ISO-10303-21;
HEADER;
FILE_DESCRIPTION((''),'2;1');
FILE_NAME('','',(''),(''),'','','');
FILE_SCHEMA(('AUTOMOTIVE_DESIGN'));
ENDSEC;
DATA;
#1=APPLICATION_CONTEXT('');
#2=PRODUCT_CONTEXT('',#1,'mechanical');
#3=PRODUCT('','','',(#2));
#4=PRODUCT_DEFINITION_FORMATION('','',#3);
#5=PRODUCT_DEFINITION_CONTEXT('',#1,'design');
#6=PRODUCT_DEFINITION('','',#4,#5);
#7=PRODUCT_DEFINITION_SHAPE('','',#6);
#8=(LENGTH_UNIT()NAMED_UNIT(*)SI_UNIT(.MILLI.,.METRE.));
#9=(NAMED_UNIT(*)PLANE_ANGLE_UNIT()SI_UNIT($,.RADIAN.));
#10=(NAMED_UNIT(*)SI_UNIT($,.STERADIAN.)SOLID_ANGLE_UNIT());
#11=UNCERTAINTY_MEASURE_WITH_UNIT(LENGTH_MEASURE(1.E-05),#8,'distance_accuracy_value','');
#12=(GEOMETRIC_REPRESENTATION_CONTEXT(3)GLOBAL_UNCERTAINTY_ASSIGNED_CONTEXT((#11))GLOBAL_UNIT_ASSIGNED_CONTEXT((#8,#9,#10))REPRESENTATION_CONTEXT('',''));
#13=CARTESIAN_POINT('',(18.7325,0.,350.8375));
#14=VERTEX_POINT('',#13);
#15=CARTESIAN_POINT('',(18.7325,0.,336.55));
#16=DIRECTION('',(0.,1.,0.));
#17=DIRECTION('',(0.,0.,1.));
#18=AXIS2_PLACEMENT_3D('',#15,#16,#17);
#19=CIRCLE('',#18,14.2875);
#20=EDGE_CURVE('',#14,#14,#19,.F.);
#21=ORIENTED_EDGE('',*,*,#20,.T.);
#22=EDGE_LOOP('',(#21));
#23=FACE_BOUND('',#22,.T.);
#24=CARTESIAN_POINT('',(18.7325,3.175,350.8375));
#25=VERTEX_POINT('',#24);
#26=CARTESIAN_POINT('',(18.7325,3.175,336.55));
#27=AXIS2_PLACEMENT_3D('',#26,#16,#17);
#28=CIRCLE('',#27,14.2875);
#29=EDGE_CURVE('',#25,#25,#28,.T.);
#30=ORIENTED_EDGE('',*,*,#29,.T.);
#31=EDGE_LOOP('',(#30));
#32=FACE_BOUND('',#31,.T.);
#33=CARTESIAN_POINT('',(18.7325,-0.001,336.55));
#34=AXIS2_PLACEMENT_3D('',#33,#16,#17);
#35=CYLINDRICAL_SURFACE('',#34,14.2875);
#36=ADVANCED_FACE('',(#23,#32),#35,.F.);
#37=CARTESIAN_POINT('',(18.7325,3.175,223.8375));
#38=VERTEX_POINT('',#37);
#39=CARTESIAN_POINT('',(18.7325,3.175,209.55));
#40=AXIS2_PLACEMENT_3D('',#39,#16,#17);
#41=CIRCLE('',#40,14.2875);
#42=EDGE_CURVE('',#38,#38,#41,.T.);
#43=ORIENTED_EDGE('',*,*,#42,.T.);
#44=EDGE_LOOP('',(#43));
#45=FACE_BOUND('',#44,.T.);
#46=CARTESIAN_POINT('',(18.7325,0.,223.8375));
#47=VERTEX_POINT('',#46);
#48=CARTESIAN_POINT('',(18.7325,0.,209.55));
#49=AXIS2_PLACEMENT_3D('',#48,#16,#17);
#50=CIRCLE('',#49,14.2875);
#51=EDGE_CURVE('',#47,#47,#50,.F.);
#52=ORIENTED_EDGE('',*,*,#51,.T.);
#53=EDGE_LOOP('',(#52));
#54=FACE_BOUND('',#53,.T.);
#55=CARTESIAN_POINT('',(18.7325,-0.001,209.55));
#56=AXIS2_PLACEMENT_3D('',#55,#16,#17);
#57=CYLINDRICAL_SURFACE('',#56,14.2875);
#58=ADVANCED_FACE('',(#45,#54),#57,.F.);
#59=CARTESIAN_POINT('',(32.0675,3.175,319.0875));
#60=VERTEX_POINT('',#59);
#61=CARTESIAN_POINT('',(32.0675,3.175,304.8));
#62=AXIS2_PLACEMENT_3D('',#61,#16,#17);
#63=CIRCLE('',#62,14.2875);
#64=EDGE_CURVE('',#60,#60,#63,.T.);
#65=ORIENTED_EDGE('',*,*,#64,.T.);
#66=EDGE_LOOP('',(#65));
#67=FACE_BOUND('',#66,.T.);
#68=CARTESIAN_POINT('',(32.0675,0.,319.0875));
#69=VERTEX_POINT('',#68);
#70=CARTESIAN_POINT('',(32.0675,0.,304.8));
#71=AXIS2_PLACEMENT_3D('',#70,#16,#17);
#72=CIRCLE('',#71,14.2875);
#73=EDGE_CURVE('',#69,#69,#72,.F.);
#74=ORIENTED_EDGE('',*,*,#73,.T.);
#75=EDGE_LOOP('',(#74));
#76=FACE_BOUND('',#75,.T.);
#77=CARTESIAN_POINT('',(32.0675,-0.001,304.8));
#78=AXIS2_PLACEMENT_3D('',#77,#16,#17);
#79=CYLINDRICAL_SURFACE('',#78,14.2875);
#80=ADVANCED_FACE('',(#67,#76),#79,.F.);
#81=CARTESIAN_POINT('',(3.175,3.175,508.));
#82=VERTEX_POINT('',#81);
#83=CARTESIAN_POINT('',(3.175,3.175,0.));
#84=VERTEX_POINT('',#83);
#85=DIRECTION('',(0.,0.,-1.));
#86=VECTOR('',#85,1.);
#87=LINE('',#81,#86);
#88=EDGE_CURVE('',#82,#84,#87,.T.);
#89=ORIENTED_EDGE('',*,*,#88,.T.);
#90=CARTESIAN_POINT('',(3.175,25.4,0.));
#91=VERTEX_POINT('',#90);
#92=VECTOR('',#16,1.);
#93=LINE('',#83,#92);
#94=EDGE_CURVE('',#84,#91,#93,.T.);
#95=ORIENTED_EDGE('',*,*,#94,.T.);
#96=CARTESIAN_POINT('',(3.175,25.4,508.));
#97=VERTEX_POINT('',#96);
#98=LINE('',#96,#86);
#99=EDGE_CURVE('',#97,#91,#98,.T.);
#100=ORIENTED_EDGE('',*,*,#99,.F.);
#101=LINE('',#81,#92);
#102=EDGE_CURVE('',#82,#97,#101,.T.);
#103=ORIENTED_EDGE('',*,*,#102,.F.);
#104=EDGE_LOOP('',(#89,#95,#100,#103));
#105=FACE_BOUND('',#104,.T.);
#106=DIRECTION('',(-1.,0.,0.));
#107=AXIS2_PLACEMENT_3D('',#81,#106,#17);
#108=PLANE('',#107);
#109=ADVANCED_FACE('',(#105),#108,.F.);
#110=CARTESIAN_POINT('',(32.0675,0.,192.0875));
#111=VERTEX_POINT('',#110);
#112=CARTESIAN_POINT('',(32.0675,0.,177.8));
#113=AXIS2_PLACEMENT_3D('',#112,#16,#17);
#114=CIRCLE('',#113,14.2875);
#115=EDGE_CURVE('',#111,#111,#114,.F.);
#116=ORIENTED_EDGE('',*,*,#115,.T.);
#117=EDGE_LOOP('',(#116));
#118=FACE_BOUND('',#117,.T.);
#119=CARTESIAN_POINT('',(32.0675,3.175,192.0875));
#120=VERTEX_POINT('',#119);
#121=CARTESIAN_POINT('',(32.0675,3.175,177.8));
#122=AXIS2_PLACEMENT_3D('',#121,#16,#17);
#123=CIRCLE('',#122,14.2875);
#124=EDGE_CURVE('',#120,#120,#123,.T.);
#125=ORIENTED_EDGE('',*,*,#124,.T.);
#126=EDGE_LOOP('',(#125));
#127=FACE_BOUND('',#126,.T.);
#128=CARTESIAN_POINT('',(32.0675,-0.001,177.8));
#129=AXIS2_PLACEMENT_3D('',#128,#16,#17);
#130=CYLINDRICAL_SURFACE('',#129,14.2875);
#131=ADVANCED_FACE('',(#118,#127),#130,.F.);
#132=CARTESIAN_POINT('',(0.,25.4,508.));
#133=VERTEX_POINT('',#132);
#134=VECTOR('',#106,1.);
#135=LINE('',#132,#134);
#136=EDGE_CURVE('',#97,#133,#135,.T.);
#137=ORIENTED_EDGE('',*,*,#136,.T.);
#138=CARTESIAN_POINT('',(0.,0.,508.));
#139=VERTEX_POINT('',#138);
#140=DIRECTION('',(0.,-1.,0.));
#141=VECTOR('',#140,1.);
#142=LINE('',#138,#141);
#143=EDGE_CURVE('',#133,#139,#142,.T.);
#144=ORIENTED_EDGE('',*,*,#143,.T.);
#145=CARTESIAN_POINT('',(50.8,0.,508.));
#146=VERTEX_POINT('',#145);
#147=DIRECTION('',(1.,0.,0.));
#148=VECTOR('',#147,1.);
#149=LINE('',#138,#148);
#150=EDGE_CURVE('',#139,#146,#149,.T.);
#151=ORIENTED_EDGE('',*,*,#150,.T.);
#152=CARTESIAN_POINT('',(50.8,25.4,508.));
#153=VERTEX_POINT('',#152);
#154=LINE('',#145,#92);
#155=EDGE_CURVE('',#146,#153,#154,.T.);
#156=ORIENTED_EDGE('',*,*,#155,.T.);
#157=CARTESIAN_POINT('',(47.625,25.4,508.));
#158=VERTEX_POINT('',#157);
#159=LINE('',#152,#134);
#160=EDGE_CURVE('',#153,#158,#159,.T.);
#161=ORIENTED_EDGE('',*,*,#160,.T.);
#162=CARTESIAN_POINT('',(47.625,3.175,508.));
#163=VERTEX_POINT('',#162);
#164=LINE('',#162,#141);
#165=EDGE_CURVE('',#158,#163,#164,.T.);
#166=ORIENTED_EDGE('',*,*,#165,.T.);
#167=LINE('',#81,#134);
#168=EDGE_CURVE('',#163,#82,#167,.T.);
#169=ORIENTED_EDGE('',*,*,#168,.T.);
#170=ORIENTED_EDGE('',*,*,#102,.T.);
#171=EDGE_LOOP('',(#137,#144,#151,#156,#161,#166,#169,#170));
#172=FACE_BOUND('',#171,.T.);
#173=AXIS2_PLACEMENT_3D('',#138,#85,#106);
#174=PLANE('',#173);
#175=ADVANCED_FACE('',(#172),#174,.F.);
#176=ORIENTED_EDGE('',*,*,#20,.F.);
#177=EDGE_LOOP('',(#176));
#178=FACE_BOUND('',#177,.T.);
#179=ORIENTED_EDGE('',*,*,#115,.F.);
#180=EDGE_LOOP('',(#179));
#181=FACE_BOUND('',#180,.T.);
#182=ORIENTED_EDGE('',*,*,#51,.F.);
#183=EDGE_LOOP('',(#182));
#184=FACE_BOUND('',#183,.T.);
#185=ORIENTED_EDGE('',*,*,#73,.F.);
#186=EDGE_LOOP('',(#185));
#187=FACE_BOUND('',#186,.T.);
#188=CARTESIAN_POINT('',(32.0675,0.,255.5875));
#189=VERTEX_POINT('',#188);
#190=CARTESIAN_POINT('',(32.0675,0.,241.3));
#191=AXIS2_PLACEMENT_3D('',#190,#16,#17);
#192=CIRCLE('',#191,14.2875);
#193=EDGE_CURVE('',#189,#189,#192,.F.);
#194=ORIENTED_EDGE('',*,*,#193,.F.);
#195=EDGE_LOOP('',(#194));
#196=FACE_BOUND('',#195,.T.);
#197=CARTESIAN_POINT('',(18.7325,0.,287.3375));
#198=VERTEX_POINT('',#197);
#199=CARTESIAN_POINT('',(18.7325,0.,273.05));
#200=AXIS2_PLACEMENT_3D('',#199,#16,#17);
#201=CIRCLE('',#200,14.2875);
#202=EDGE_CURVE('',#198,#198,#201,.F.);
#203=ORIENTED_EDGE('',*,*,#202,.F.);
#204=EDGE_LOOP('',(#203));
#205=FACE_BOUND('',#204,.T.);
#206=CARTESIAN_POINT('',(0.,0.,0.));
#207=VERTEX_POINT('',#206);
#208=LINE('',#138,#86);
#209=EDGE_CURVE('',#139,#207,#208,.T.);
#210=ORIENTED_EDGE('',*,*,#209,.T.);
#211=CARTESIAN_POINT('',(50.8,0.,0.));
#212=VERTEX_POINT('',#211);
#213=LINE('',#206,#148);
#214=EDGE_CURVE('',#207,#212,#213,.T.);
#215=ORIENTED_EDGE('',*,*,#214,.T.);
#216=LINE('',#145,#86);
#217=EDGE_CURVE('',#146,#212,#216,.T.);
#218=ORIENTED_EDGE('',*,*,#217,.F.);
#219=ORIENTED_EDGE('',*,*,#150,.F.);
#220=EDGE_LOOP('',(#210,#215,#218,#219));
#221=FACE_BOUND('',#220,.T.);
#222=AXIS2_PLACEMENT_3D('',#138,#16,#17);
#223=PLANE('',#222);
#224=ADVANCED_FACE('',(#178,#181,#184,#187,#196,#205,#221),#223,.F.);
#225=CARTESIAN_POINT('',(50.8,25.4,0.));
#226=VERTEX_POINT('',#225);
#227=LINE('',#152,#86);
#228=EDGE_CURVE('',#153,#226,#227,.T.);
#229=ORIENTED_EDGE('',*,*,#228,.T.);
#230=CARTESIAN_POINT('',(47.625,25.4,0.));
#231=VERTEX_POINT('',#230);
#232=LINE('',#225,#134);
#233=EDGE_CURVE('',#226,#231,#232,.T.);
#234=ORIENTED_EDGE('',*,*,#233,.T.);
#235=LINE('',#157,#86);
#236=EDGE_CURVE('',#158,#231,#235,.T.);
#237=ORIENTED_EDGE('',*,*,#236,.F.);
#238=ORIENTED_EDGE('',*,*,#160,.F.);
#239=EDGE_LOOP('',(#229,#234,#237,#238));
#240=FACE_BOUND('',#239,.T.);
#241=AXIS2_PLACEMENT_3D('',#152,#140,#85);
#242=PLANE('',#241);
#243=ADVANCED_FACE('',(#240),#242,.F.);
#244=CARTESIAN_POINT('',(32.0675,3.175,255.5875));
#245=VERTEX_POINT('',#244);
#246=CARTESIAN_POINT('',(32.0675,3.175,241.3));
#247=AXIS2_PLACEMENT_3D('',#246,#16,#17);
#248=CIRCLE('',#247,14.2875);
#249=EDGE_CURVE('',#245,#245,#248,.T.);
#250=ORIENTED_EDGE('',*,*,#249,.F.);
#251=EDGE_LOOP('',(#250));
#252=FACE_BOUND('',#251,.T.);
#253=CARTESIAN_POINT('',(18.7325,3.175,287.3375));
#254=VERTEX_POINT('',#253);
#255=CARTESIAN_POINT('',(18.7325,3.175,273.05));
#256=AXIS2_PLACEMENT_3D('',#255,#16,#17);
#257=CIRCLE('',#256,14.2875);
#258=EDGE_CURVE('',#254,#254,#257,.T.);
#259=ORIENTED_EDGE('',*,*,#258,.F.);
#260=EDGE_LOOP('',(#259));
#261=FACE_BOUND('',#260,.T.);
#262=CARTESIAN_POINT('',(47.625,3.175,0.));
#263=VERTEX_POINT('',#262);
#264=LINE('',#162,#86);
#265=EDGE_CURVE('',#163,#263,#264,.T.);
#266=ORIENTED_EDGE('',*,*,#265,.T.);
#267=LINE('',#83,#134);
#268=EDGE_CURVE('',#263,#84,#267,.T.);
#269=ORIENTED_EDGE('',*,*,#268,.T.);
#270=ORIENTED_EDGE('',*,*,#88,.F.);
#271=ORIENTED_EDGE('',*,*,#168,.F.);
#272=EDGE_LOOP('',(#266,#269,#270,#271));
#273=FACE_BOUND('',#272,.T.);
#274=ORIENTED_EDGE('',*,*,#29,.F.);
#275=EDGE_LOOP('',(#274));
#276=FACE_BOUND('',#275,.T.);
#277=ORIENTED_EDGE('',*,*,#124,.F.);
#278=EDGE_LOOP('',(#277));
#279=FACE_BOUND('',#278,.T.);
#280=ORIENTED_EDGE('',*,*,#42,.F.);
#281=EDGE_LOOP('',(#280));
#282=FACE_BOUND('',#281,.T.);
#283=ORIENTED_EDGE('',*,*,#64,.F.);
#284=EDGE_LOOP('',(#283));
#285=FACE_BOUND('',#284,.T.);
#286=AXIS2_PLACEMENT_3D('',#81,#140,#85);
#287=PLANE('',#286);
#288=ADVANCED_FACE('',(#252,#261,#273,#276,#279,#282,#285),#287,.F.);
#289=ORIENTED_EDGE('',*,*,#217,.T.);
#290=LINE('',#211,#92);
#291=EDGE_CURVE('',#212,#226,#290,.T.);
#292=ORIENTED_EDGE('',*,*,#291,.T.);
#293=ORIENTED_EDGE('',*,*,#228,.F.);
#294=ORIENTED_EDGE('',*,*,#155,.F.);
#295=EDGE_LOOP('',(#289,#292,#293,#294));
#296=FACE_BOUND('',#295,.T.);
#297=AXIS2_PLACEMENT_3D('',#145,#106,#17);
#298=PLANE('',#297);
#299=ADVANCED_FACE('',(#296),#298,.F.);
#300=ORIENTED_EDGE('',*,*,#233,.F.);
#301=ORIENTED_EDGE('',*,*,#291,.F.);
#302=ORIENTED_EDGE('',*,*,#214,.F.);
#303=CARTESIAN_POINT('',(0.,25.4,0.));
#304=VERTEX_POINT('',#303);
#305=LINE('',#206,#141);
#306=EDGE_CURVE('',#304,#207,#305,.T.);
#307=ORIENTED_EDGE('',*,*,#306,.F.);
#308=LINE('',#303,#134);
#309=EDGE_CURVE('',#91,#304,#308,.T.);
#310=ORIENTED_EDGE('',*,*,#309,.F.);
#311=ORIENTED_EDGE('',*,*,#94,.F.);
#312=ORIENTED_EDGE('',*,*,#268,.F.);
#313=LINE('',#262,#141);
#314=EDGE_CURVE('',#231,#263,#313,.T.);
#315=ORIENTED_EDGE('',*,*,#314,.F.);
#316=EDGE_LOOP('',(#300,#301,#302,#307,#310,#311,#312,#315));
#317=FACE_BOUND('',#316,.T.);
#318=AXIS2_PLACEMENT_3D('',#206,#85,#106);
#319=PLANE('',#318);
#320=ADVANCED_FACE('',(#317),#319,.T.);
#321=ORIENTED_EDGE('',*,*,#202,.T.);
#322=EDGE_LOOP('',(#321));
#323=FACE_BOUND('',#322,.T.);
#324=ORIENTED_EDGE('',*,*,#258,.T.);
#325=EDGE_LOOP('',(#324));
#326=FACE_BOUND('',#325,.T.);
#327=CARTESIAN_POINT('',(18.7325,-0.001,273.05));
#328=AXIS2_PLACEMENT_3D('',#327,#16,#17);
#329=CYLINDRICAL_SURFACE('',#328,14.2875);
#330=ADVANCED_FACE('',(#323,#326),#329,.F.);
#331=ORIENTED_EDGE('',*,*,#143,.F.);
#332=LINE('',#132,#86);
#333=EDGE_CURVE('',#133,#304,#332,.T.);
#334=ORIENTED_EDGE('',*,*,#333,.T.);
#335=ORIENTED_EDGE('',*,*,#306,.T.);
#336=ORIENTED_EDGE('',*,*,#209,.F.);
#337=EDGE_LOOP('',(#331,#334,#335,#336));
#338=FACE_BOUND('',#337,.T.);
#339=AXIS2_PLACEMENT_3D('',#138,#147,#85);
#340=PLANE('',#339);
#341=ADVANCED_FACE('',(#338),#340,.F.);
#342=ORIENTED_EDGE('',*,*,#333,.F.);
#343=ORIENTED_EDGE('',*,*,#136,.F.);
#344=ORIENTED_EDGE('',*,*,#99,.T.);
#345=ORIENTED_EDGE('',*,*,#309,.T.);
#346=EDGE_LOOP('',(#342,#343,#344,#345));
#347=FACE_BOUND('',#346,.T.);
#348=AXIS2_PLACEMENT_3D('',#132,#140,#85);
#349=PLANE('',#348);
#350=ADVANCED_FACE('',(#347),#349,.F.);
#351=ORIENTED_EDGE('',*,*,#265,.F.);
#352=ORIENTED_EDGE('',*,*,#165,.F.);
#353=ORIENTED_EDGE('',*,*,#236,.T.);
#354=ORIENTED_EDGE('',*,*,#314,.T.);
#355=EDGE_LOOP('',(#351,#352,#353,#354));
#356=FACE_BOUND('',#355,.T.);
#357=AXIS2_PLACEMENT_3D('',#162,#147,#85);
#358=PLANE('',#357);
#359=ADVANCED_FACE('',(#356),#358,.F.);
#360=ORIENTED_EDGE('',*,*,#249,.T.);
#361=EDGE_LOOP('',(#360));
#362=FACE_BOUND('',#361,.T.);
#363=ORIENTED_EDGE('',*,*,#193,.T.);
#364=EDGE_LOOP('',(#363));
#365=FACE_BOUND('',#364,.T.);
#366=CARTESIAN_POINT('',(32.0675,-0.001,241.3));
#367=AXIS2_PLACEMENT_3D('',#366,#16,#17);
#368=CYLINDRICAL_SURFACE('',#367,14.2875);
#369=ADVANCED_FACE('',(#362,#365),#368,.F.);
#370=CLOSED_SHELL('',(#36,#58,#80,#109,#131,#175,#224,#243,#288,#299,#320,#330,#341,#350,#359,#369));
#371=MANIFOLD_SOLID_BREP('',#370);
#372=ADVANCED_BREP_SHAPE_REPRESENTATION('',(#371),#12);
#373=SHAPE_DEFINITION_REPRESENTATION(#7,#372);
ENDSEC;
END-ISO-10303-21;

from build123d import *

# Parameters (mm, degrees)
BOSS_EXTRUDE1_DEPTH = 508
CUT_EXTRUDE1_REACH  = 5.175
SKETCH2_R           = 14.2875


with BuildPart() as part:
    # Sketch1 → Boss-Extrude1 (new body)
    with BuildSketch(Plane.XY):
        Polygon((47.625, 3.175), (47.625, 25.4), (50.8, 25.4), (50.8, 0), (0, 0), (0, 25.4), (3.175, 25.4), (3.175, 3.175), align=None)
    extrude(amount=BOSS_EXTRUDE1_DEPTH)

    # Sketch2 → Cut-Extrude1 (cut, up to next)
    with BuildSketch(Plane(origin=(0, 3.175, 0), x_dir=(1, 0, 0), z_dir=(0, 1, 0)), mode=Mode.PRIVATE) as cut_extrude1_sk1:
        with Locations((18.7325, -336.55)):
            Circle(SKETCH2_R)
    cut_extrude1_tool1 = extrude(cut_extrude1_sk1.sketch, amount=-CUT_EXTRUDE1_REACH, mode=Mode.PRIVATE) & part.part
    add(cut_extrude1_tool1.solids().sort_by_distance((18.7325, 3.175, 336.55))[0], mode=Mode.SUBTRACT)
    # Sketch2 → Cut-Extrude1 (cut, up to next)
    with BuildSketch(Plane(origin=(0, 3.175, 0), x_dir=(1, 0, 0), z_dir=(0, 1, 0)), mode=Mode.PRIVATE) as cut_extrude1_sk2:
        with Locations((32.0675, -304.8)):
            Circle(SKETCH2_R)
    cut_extrude1_tool2 = extrude(cut_extrude1_sk2.sketch, amount=-CUT_EXTRUDE1_REACH, mode=Mode.PRIVATE) & part.part
    add(cut_extrude1_tool2.solids().sort_by_distance((32.0675, 3.175, 304.8))[0], mode=Mode.SUBTRACT)
    # Sketch2 → Cut-Extrude1 (cut, up to next)
    with BuildSketch(Plane(origin=(0, 3.175, 0), x_dir=(1, 0, 0), z_dir=(0, 1, 0)), mode=Mode.PRIVATE) as cut_extrude1_sk3:
        with Locations((18.7325, -273.05)):
            Circle(SKETCH2_R)
    cut_extrude1_tool3 = extrude(cut_extrude1_sk3.sketch, amount=-CUT_EXTRUDE1_REACH, mode=Mode.PRIVATE) & part.part
    add(cut_extrude1_tool3.solids().sort_by_distance((18.7325, 3.175, 273.05))[0], mode=Mode.SUBTRACT)
    # Sketch2 → Cut-Extrude1 (cut, up to next)
    with BuildSketch(Plane(origin=(0, 3.175, 0), x_dir=(1, 0, 0), z_dir=(0, 1, 0)), mode=Mode.PRIVATE) as cut_extrude1_sk4:
        with Locations((32.0675, -241.3)):
            Circle(SKETCH2_R)
    cut_extrude1_tool4 = extrude(cut_extrude1_sk4.sketch, amount=-CUT_EXTRUDE1_REACH, mode=Mode.PRIVATE) & part.part
    add(cut_extrude1_tool4.solids().sort_by_distance((32.0675, 3.175, 241.3))[0], mode=Mode.SUBTRACT)
    # Sketch2 → Cut-Extrude1 (cut, up to next)
    with BuildSketch(Plane(origin=(0, 3.175, 0), x_dir=(1, 0, 0), z_dir=(0, 1, 0)), mode=Mode.PRIVATE) as cut_extrude1_sk5:
        with Locations((18.7325, -209.55)):
            Circle(SKETCH2_R)
    cut_extrude1_tool5 = extrude(cut_extrude1_sk5.sketch, amount=-CUT_EXTRUDE1_REACH, mode=Mode.PRIVATE) & part.part
    add(cut_extrude1_tool5.solids().sort_by_distance((18.7325, 3.175, 209.55))[0], mode=Mode.SUBTRACT)
    # Sketch2 → Cut-Extrude1 (cut, up to next)
    with BuildSketch(Plane(origin=(0, 3.175, 0), x_dir=(1, 0, 0), z_dir=(0, 1, 0)), mode=Mode.PRIVATE) as cut_extrude1_sk6:
        with Locations((32.0675, -177.8)):
            Circle(SKETCH2_R)
    cut_extrude1_tool6 = extrude(cut_extrude1_sk6.sketch, amount=-CUT_EXTRUDE1_REACH, mode=Mode.PRIVATE) & part.part
    add(cut_extrude1_tool6.solids().sort_by_distance((32.0675, 3.175, 177.8))[0], mode=Mode.SUBTRACT)


solid = part.part
